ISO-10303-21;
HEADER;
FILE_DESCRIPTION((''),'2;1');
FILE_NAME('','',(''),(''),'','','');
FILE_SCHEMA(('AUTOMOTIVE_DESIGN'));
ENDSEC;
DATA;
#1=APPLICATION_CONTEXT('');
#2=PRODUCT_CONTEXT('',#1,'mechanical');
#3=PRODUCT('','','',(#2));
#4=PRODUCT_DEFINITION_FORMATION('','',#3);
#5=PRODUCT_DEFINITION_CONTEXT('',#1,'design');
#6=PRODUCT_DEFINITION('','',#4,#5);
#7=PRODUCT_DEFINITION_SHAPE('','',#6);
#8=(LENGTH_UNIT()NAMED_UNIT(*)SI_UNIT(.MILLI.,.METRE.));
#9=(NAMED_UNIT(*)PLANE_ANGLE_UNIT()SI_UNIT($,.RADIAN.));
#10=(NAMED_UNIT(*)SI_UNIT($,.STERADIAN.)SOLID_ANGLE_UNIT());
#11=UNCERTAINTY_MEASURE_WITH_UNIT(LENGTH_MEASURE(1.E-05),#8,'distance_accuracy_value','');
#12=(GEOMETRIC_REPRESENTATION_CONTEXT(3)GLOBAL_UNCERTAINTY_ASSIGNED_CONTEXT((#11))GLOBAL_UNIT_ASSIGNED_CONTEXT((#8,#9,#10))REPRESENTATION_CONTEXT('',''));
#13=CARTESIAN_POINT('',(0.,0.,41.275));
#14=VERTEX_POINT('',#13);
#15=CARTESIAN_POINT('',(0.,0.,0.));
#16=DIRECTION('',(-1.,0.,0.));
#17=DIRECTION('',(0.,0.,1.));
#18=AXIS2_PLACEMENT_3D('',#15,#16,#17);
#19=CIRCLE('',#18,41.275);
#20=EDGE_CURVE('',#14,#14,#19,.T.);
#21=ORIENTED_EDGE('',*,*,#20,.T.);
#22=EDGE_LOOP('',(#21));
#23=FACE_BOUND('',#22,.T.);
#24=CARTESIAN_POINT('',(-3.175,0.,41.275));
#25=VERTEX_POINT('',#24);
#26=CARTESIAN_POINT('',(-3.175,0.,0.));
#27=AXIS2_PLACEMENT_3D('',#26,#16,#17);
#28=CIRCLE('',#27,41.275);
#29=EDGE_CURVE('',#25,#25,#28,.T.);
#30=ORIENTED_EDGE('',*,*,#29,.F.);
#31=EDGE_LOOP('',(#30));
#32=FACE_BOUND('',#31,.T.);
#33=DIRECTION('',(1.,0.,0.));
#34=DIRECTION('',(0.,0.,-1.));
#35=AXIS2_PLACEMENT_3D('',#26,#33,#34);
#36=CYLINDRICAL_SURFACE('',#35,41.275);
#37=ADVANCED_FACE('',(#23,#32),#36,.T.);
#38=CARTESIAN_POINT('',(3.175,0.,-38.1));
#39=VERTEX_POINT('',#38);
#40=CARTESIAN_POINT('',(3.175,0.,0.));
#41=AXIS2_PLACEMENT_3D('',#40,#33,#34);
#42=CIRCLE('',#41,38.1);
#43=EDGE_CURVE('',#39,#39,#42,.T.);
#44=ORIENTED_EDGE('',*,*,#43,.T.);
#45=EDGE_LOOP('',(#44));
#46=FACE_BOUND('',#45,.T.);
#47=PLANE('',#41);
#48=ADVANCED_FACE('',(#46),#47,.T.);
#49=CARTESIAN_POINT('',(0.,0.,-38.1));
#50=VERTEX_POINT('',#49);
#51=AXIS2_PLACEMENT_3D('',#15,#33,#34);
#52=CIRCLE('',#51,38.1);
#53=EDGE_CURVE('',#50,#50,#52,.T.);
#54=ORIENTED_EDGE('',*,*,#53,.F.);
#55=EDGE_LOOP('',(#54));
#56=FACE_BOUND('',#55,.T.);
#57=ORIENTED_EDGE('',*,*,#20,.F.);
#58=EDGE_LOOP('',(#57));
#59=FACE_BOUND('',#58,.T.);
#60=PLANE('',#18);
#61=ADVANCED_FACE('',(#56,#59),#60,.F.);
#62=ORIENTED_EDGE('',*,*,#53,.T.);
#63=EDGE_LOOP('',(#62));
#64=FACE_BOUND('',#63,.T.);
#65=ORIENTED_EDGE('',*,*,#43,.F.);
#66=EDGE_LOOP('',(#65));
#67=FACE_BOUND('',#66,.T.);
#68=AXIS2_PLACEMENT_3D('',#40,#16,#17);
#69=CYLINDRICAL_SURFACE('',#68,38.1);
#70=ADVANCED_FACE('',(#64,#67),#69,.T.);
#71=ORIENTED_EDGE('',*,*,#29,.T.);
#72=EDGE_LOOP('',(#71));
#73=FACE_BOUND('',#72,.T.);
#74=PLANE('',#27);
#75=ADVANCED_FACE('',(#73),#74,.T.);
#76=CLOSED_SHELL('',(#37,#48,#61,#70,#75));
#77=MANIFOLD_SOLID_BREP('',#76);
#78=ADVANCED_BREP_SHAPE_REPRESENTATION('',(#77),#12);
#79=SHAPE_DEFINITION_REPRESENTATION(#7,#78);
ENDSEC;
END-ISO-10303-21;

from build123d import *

# Parameters (mm, degrees)
SKETCH1_R           = 38.1
BOSS_EXTRUDE1_DEPTH = 3.175
SKETCH2_R           = 41.275
BOSS_EXTRUDE2_DEPTH = 3.175


with BuildPart() as part:
    # Sketch1 → Boss-Extrude1 (new body)
    with BuildSketch(Plane(origin=(0, 0, 0), x_dir=(0, 0, -1), z_dir=(1, 0, 0))):
        Circle(SKETCH1_R)
    extrude(amount=BOSS_EXTRUDE1_DEPTH)

    # Sketch2 → Boss-Extrude2 (add)
    with BuildSketch(Plane.ZY):
        Circle(SKETCH2_R)
    extrude(amount=BOSS_EXTRUDE2_DEPTH)


solid = part.part
